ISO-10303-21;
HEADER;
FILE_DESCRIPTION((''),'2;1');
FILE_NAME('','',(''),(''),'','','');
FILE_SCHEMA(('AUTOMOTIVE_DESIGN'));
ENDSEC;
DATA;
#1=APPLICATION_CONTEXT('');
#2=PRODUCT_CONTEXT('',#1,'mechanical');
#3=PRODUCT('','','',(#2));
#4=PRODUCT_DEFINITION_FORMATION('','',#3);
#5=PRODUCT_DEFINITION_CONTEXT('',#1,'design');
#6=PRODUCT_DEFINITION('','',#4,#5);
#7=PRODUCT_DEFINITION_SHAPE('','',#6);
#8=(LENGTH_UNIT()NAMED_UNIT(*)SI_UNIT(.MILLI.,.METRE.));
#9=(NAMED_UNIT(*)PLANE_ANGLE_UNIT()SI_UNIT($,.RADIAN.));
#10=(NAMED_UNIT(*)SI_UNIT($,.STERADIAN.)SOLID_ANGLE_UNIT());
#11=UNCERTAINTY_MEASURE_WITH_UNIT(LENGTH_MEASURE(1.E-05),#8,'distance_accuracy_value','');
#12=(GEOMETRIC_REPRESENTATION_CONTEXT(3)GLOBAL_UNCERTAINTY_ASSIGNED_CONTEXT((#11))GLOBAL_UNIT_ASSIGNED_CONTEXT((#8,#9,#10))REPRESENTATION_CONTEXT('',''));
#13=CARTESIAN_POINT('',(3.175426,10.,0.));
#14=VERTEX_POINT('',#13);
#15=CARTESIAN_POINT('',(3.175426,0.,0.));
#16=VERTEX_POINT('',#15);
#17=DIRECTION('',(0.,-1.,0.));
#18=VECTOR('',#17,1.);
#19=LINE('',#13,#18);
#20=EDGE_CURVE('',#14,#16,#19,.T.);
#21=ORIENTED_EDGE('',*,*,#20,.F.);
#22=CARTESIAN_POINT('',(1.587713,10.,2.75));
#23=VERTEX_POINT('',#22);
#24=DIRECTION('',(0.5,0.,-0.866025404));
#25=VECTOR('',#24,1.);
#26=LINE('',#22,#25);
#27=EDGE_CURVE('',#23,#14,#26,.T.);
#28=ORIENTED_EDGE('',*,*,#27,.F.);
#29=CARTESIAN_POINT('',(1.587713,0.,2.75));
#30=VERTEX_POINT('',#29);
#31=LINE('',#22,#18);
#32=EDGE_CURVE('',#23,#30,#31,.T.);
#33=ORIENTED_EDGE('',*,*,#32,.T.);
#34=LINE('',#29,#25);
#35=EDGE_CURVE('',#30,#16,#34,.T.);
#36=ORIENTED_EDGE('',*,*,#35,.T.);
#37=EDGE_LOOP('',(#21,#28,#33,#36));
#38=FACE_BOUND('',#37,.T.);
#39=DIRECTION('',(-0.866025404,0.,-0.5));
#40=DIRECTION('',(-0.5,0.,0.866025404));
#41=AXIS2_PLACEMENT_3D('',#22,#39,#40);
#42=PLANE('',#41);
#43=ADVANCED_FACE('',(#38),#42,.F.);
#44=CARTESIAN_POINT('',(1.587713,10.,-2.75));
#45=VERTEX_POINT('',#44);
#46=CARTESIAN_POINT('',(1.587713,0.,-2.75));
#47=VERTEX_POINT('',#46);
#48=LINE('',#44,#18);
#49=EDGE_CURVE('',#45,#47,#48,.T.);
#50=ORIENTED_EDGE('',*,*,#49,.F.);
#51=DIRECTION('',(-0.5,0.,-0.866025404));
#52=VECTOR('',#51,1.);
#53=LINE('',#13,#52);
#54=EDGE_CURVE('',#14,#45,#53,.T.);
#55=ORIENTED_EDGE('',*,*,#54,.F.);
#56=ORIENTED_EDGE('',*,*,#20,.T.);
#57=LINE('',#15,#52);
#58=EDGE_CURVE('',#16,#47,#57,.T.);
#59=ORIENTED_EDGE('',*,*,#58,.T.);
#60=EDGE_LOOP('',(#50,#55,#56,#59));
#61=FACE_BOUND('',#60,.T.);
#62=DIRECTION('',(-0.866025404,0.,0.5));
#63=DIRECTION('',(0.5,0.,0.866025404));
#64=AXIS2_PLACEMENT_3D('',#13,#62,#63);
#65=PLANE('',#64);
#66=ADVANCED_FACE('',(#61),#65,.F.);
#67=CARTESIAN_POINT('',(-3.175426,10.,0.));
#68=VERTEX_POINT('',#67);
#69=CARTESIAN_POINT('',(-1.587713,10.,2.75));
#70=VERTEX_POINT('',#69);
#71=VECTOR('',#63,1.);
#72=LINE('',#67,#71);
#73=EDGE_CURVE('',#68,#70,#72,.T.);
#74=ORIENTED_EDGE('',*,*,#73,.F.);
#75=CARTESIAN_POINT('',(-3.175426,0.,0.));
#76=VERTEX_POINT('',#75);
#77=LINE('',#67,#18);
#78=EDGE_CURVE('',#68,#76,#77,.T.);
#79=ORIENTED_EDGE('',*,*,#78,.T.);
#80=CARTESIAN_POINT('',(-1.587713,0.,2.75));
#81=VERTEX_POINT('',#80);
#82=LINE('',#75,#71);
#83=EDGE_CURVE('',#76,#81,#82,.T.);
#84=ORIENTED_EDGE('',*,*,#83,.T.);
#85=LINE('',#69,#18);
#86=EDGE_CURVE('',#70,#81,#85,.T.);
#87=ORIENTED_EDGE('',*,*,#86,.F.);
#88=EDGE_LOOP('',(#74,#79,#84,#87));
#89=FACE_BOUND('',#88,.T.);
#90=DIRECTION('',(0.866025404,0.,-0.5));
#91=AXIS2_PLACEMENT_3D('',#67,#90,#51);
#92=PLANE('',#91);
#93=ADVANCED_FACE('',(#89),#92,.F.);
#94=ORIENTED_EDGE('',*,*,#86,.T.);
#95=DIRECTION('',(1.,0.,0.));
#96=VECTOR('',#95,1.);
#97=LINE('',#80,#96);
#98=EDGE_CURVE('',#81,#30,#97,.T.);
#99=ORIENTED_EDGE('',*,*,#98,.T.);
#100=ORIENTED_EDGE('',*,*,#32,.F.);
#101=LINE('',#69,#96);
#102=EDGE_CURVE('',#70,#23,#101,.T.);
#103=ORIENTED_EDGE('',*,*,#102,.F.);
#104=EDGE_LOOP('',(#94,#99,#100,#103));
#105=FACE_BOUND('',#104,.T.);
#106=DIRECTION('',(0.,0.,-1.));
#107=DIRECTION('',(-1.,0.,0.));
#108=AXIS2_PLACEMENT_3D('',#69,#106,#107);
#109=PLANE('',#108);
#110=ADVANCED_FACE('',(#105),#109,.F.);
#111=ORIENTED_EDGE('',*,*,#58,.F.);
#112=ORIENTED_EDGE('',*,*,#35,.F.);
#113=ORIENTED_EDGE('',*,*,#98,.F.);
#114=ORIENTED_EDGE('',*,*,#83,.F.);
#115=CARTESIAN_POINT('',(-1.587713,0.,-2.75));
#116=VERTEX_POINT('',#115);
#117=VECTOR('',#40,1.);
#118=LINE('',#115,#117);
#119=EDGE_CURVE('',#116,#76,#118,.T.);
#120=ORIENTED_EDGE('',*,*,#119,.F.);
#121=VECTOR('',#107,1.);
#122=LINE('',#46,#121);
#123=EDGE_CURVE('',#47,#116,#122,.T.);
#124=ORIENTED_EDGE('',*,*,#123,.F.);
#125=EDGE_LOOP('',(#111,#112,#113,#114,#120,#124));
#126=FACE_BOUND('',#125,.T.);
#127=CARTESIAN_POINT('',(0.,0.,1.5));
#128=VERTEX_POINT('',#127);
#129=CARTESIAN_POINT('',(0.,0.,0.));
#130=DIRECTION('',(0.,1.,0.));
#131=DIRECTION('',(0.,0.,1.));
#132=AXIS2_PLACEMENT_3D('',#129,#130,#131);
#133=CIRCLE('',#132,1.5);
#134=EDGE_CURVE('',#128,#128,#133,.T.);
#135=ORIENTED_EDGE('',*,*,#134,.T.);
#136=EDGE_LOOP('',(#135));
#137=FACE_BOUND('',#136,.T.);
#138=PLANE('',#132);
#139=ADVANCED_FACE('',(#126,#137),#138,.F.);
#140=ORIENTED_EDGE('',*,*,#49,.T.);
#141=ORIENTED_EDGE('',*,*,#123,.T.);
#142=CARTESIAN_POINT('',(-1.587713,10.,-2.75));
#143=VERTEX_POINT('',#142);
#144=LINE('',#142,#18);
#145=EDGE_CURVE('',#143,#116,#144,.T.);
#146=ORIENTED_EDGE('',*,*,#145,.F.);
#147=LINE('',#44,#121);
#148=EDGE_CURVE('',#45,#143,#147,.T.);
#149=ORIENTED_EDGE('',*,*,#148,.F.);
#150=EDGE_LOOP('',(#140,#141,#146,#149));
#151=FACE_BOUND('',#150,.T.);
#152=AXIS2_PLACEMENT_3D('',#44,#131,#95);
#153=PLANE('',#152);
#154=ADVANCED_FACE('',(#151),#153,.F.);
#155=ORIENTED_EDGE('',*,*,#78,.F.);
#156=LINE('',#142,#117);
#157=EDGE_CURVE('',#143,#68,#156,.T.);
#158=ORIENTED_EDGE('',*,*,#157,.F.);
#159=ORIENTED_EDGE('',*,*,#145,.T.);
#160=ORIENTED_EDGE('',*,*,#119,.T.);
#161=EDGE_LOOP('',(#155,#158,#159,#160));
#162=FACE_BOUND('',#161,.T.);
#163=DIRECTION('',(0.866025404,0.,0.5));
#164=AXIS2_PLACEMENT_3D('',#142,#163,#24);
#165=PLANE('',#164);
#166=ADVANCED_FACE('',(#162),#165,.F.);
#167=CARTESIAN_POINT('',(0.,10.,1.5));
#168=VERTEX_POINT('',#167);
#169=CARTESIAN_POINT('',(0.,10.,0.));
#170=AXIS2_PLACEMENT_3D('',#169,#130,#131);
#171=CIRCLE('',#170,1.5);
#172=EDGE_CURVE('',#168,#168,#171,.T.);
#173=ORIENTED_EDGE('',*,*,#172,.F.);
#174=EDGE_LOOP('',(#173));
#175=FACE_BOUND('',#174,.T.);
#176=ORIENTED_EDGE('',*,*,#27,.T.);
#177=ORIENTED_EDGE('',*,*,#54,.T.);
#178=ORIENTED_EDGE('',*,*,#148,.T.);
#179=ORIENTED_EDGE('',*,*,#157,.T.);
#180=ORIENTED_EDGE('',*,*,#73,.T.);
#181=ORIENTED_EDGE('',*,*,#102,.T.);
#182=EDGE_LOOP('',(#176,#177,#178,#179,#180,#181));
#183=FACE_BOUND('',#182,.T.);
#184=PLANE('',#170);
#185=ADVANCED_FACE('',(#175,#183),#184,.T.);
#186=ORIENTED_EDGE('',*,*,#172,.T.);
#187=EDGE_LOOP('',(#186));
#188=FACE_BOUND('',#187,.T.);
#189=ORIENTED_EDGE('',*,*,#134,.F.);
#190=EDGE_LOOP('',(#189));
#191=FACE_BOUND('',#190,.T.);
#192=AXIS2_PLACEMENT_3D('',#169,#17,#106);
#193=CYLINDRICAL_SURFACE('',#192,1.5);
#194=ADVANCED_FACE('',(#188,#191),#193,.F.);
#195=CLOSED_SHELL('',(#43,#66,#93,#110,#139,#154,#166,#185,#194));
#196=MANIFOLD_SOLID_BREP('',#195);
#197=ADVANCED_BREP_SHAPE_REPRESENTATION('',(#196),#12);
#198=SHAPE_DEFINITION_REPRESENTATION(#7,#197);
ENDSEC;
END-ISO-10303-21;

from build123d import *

# Parameters (mm, degrees)
SKETCH_1_R      = 1.5
EXTRUDE_1_DEPTH = 10


with BuildPart() as part:
    # 草图1 → 凸台-拉伸1 (new body)
    with BuildSketch(Plane(origin=(0, 0, 0), x_dir=(1, 0, 0), z_dir=(0, 1, 0))):
        Polygon((3.175426481, 0), (1.58771324, 2.75), (-1.58771324, 2.75), (-3.175426481, 0), (-1.58771324, -2.75), (1.58771324, -2.75), align=None)
        with Locations(Location((0, 0, 0), (0, 0, 270))):
            Circle(SKETCH_1_R, mode=Mode.SUBTRACT)
    extrude(amount=EXTRUDE_1_DEPTH)


solid = part.part
